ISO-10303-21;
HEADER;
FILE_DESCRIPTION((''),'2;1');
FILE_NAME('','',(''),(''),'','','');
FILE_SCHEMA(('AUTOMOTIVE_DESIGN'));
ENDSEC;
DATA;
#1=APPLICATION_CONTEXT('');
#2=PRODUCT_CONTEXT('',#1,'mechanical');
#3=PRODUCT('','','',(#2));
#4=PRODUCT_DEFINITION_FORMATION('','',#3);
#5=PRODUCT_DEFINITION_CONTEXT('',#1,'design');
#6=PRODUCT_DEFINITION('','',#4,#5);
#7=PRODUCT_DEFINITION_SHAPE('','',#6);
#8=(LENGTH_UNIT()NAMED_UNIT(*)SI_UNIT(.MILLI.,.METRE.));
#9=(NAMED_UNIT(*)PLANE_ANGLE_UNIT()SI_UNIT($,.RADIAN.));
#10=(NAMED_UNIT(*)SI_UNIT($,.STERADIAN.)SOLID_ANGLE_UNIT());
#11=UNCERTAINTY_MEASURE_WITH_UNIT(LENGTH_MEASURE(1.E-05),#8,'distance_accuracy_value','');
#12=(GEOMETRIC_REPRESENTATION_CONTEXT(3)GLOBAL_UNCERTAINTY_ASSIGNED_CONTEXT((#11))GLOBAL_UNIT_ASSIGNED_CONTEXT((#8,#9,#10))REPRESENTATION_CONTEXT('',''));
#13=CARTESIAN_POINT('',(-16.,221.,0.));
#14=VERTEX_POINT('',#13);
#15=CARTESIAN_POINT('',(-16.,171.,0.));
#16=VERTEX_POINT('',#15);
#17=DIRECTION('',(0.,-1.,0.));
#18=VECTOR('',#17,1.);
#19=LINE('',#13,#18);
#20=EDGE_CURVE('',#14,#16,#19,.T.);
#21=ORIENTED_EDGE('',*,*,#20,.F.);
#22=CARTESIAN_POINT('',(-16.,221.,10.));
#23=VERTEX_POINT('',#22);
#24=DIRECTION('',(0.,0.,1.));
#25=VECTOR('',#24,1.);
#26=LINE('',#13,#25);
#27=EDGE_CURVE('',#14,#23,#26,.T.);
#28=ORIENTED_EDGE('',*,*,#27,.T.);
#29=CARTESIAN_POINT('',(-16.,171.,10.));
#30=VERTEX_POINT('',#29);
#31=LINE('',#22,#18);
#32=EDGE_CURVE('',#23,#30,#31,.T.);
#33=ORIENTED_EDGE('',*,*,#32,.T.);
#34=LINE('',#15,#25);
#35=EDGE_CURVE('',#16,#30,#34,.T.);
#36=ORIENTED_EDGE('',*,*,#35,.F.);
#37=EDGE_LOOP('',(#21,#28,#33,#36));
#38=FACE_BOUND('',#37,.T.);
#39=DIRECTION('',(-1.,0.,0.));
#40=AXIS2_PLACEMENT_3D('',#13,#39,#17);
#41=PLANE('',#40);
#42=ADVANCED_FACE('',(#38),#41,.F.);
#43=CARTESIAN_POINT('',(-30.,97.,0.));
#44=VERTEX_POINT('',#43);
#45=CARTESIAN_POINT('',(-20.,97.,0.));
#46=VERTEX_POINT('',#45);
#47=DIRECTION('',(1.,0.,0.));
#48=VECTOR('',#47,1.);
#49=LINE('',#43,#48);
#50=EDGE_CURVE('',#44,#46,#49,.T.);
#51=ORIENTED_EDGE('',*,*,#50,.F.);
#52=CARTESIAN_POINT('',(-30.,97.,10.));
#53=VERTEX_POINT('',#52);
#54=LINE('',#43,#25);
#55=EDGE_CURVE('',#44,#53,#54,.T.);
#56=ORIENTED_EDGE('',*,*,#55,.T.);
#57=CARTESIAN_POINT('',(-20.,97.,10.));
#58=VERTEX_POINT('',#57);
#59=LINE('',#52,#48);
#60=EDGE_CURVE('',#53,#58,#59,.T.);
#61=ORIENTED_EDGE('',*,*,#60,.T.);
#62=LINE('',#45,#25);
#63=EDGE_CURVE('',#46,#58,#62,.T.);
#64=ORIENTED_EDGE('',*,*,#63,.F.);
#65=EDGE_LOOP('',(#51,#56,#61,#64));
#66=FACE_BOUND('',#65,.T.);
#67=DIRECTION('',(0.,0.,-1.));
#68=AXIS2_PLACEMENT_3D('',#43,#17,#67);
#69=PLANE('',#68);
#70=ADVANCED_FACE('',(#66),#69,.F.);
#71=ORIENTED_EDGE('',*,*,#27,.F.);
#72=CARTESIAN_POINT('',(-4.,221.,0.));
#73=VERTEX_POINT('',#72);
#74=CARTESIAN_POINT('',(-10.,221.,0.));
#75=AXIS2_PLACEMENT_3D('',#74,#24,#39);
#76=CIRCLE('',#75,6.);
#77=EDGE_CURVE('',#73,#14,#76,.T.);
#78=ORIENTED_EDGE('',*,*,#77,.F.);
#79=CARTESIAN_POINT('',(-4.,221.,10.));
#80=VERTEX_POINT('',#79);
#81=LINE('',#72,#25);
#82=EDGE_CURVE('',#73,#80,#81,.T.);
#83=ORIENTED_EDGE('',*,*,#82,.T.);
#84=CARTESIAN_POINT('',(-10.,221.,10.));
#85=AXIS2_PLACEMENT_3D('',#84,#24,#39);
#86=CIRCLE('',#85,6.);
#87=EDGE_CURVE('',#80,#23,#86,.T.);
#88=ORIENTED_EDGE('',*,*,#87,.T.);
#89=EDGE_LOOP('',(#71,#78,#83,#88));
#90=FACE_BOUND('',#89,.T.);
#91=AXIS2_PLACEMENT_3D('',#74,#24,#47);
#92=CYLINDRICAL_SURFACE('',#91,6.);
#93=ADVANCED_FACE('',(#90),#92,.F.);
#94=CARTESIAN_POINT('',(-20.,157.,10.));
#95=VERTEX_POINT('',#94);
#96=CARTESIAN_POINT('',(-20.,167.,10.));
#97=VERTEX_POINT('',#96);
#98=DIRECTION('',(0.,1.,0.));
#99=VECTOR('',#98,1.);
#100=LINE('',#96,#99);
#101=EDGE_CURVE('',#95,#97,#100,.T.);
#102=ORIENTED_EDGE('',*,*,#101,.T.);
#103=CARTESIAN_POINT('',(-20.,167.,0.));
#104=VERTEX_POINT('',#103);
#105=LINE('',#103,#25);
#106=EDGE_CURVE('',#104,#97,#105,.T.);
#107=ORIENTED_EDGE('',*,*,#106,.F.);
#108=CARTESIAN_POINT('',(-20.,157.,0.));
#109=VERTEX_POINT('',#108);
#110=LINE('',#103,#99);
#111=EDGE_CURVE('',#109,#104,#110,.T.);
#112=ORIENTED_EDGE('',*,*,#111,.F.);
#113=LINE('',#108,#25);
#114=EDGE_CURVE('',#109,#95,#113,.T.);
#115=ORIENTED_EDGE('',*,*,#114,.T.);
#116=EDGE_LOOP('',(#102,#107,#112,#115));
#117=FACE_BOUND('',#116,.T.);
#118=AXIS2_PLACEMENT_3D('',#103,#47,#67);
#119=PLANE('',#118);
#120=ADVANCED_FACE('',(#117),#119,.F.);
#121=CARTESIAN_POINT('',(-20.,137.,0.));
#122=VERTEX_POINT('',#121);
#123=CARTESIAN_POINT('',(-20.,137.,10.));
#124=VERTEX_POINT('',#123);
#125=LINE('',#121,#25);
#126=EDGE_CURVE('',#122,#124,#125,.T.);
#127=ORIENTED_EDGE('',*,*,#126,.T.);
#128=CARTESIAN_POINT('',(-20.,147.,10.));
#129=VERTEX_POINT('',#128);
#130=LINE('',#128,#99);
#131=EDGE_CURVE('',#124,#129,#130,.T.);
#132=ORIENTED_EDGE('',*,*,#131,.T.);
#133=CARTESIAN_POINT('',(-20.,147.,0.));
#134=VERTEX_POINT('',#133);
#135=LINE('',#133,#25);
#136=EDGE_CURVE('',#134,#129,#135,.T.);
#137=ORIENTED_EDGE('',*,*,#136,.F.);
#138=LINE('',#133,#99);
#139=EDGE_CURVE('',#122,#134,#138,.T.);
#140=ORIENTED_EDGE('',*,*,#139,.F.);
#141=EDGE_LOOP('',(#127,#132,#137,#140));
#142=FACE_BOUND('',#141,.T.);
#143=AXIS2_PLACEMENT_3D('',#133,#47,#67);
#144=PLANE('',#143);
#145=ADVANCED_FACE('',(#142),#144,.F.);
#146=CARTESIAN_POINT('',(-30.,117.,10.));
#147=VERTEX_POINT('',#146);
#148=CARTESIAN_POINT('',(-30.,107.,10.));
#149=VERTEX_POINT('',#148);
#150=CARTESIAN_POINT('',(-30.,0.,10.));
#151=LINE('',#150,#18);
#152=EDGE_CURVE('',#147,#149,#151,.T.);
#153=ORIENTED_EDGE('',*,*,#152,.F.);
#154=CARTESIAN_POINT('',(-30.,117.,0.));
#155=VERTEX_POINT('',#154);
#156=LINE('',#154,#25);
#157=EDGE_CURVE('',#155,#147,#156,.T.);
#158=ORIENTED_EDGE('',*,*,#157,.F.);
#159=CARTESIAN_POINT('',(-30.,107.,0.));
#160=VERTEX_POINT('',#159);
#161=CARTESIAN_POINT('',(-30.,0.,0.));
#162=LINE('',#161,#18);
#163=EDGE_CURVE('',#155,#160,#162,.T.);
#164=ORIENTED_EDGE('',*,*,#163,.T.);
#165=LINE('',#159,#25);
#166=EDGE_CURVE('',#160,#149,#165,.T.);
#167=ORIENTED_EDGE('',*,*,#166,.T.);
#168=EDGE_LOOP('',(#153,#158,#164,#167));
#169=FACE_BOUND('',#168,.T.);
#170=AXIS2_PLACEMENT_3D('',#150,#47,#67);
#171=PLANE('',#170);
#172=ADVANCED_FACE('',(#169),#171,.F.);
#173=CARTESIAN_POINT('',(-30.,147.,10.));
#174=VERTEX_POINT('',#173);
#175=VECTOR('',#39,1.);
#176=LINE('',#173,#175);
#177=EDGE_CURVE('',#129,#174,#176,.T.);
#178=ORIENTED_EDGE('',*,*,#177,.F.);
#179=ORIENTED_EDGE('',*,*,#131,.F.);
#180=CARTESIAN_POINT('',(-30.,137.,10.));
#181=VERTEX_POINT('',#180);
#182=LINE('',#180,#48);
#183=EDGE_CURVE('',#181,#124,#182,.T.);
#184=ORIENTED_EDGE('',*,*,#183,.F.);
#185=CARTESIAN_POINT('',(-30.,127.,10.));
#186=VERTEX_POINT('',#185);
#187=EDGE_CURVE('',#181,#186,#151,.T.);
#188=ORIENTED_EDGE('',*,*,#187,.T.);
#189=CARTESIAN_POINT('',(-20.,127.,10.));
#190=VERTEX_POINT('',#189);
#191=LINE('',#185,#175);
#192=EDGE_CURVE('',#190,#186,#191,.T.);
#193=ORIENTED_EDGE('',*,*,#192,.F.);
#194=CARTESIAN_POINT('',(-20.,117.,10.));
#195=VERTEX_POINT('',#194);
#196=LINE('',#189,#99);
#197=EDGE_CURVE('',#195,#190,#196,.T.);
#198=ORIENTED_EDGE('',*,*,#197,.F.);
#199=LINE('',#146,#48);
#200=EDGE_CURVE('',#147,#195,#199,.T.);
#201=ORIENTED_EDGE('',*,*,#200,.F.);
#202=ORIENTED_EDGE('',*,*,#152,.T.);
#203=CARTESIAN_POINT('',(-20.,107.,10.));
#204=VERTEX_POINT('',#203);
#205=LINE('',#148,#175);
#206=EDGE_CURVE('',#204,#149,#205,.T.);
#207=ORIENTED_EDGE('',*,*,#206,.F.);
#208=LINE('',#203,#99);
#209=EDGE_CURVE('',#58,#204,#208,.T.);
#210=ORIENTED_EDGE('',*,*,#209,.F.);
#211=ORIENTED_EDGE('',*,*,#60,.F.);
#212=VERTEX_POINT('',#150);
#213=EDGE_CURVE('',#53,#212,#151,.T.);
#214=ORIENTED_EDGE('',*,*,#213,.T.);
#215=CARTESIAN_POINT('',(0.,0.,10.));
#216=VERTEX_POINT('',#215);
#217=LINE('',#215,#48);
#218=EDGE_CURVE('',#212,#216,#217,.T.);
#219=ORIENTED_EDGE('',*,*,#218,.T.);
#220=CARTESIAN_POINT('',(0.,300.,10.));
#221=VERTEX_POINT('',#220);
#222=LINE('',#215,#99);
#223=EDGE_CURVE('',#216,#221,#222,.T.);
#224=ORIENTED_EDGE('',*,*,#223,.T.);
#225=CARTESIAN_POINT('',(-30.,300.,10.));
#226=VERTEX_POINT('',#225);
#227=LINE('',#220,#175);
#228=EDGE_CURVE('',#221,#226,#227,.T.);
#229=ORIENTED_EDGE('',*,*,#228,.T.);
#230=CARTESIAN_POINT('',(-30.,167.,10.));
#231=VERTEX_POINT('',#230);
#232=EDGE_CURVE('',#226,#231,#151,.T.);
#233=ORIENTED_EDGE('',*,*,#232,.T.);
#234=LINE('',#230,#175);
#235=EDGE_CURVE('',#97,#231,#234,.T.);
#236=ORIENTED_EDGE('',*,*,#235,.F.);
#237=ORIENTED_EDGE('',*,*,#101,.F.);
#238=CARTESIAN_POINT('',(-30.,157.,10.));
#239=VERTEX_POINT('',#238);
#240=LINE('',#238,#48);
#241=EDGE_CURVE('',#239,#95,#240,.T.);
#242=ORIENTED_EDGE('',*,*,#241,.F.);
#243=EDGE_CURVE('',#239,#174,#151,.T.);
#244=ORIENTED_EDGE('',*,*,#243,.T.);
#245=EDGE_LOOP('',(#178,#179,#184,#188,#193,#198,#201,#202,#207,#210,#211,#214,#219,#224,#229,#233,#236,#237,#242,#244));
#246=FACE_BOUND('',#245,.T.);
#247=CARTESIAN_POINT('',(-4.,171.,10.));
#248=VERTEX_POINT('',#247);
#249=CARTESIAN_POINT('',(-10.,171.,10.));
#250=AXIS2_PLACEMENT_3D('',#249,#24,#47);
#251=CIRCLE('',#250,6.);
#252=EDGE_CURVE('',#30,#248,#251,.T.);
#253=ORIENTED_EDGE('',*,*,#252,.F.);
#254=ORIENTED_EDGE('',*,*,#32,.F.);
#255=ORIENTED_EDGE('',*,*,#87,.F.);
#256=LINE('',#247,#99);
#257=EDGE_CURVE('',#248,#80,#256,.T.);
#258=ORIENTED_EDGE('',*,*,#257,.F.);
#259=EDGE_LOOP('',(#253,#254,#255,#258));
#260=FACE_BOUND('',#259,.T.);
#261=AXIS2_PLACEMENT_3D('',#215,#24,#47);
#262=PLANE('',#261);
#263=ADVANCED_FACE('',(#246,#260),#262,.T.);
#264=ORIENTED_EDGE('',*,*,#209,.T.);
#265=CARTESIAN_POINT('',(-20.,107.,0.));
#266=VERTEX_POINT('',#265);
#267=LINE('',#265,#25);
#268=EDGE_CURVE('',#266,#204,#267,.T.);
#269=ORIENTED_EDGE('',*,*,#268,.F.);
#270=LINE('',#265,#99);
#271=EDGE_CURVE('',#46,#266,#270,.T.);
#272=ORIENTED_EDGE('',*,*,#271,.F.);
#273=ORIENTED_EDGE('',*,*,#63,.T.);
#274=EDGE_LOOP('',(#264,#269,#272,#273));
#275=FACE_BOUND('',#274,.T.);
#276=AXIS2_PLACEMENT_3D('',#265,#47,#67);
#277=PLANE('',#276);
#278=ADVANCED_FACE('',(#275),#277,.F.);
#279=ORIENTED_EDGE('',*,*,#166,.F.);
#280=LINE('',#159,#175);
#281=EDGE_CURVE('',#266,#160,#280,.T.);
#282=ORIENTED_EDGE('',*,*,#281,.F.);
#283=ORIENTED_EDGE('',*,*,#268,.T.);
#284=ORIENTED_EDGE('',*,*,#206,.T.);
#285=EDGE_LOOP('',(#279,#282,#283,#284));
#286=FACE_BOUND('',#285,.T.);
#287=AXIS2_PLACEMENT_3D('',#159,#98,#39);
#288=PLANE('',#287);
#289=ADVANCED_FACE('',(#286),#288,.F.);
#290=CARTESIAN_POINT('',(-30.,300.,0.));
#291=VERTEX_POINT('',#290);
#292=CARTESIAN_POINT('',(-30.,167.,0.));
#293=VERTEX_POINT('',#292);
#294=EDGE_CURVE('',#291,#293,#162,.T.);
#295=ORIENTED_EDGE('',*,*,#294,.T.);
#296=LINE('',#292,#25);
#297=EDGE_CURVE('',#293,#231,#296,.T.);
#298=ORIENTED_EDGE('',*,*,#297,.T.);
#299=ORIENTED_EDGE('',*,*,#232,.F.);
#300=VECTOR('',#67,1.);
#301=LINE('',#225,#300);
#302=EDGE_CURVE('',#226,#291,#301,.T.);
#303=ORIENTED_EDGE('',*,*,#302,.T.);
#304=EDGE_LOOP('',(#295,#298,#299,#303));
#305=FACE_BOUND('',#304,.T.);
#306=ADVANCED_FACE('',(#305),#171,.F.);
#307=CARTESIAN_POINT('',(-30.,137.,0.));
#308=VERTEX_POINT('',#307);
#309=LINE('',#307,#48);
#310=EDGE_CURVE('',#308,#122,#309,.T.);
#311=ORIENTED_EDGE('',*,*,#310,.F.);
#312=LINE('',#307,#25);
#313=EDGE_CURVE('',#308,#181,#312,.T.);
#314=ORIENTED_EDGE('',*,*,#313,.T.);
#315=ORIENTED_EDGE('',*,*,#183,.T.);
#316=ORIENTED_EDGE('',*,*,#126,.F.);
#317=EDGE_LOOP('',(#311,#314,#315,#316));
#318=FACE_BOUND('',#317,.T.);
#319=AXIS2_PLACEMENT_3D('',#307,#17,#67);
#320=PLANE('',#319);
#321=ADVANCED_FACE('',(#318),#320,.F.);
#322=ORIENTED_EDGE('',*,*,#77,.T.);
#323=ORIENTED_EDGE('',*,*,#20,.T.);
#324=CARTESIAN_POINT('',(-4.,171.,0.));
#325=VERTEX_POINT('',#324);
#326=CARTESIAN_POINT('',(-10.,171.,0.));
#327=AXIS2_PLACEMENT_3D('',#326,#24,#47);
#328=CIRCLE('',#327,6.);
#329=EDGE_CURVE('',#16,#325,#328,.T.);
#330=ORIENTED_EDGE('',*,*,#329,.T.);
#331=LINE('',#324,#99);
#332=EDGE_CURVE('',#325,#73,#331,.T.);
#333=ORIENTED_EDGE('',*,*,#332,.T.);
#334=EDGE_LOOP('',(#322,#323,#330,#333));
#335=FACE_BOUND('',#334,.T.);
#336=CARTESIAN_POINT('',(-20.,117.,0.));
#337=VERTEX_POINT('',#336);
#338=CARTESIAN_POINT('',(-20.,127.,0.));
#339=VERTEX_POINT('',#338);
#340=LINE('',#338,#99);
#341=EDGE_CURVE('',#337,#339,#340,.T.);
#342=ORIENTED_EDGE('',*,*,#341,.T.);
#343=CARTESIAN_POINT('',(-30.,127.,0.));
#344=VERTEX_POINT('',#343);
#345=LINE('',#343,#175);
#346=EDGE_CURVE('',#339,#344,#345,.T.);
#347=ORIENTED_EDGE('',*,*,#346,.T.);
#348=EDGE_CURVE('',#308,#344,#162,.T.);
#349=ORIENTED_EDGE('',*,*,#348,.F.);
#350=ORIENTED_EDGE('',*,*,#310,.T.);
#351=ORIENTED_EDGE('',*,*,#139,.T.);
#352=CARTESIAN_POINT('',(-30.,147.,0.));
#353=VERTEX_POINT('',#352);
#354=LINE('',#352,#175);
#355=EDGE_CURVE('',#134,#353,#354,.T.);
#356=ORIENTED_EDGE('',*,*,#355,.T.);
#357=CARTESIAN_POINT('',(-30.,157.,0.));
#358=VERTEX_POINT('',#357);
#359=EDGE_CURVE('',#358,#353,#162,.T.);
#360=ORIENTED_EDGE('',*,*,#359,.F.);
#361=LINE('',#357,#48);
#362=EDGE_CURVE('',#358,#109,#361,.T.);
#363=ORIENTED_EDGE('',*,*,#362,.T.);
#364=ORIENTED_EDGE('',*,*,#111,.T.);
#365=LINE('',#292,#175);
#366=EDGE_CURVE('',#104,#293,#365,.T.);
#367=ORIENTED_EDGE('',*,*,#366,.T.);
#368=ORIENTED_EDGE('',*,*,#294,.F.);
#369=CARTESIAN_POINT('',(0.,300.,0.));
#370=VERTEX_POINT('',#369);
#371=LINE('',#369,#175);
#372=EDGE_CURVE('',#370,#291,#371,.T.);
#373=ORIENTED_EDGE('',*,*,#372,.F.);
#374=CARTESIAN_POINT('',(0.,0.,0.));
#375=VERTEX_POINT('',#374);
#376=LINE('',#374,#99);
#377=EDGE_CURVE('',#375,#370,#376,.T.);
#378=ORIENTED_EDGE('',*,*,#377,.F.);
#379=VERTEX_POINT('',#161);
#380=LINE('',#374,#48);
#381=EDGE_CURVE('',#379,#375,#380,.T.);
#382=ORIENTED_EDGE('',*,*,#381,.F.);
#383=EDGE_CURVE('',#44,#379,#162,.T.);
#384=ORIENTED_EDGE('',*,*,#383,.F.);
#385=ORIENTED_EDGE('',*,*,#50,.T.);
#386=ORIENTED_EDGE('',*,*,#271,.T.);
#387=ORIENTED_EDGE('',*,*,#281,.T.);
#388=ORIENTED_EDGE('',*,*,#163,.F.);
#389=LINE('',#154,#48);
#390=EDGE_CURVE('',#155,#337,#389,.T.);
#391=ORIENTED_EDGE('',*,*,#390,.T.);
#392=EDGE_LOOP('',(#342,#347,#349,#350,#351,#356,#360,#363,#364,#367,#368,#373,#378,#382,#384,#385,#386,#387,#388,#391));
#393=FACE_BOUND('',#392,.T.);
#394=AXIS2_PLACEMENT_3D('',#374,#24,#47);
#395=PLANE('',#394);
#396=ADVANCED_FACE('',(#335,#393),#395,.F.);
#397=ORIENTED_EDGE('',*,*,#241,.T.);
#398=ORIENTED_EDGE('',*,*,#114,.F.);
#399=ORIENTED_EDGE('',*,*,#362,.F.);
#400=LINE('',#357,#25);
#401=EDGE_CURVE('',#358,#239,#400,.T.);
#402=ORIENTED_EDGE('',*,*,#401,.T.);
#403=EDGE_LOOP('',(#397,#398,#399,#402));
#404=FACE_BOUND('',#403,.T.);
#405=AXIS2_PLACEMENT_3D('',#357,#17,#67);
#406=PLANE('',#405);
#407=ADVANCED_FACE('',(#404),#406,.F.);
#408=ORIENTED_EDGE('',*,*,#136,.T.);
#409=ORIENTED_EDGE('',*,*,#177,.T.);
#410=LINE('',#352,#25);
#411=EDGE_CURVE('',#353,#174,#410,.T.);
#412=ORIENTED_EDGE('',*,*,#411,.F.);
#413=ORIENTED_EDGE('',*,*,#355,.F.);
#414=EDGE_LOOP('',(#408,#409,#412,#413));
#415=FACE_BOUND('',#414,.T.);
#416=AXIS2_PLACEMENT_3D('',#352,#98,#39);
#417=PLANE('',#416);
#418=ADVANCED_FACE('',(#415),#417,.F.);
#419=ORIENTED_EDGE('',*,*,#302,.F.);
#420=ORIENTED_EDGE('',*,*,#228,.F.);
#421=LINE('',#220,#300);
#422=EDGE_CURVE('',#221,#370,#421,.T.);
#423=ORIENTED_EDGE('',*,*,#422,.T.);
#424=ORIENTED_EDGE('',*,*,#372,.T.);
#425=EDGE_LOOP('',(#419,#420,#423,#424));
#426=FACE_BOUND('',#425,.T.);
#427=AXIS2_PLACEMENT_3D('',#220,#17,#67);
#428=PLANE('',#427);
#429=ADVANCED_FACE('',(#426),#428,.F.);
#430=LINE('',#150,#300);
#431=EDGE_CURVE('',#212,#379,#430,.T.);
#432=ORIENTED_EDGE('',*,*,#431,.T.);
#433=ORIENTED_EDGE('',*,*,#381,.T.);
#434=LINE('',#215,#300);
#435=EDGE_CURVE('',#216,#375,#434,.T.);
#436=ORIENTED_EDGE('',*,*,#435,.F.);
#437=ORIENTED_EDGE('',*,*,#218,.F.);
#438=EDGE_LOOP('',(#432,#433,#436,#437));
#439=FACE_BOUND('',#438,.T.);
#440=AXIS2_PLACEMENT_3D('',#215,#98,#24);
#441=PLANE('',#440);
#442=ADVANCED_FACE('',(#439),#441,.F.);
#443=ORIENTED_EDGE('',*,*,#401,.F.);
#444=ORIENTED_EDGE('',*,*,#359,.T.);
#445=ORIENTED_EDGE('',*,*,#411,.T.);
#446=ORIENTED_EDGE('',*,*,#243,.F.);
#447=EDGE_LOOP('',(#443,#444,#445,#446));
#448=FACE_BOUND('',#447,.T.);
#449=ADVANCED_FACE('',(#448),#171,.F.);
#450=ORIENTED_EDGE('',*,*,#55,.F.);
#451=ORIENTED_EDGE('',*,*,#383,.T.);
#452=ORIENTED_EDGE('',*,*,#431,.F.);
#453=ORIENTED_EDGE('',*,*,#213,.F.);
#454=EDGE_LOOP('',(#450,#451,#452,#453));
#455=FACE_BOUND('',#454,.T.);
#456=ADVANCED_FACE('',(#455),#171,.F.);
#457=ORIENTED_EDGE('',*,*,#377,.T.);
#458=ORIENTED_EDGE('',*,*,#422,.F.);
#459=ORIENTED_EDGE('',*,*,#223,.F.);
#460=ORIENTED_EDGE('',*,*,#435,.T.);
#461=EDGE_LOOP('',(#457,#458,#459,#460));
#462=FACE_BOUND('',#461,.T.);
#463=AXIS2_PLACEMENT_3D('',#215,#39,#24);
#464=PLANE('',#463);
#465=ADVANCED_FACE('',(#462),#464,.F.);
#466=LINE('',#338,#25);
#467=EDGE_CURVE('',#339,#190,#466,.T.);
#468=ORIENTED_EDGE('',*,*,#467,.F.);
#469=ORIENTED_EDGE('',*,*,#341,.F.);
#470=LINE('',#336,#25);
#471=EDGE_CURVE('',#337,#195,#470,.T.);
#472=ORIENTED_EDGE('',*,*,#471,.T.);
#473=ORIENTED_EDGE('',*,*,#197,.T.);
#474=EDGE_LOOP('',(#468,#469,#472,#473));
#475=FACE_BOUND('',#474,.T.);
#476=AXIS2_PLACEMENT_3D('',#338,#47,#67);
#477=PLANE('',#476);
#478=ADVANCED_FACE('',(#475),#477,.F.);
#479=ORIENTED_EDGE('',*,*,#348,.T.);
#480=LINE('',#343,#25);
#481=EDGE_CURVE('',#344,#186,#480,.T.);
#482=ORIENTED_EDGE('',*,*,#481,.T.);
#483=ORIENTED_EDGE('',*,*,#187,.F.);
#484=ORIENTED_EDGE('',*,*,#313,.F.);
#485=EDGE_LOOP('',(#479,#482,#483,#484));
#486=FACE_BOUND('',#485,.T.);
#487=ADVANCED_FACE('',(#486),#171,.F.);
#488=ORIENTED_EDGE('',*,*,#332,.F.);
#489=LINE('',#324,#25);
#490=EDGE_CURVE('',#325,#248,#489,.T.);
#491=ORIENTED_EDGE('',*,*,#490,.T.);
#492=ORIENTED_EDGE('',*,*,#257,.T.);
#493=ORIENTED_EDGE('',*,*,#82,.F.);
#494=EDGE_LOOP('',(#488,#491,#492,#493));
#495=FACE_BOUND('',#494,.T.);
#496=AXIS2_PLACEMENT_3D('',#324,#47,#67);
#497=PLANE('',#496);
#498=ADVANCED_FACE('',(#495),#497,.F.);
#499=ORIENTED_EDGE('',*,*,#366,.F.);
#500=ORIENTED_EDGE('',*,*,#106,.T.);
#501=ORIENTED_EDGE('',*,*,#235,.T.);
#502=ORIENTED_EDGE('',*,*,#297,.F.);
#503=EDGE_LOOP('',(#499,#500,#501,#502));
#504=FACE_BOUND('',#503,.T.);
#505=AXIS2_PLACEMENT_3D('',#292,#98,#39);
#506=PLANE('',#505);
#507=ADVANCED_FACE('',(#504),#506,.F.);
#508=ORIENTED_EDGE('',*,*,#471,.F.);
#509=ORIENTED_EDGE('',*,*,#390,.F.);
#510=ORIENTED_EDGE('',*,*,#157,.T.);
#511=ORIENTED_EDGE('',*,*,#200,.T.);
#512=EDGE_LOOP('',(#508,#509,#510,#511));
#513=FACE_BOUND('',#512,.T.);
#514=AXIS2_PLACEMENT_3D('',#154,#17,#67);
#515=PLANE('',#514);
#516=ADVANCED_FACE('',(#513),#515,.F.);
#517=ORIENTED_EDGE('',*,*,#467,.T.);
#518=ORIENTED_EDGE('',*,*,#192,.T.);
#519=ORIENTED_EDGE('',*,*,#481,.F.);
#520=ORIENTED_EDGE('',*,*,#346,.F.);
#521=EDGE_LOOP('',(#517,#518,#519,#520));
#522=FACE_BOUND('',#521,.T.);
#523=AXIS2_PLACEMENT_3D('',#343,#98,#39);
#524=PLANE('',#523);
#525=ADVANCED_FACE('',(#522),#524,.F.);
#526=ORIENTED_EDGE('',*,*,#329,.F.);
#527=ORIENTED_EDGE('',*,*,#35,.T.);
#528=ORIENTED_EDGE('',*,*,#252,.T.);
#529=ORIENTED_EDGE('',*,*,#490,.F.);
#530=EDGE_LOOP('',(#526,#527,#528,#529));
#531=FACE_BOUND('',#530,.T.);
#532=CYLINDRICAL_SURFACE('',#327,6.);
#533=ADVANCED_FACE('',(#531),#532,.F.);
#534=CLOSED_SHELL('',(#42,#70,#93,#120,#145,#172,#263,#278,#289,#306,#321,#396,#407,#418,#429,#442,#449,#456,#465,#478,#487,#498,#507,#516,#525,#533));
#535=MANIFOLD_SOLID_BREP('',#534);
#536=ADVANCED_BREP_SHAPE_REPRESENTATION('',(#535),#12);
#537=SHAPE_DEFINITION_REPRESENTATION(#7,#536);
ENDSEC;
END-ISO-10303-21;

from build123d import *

# Parameters (mm, degrees)
ESQUISSE1_W                = 30
ESQUISSE1_H                = 300
BOSS_EXTRU_1_DEPTH         = 10
ESQUISSE2_W                = 10
ESQUISSE2_H                = 10
ENL_V_MAT_EXTRU_1_DEPTH    = 10
R_P_TITION_LIN_AIRE1_COUNT = 4
R_P_TITION_LIN_AIRE1_PITCH = 20
ENL_V_MAT_EXTRU_2_DEPTH    = 10


with BuildPart() as part:
    # Esquisse1 → Boss.-Extru.1 (new body)
    with BuildSketch(Plane.XY):
        with Locations((-15, 150)):
            Rectangle(ESQUISSE1_W, ESQUISSE1_H)
    extrude(amount=BOSS_EXTRU_1_DEPTH)

    # Esquisse2 → Enlèv. mat.-Extru.1 (cut)
    with BuildSketch(Plane.XY.offset(10)):
        with Locations((-25, 162)):
            Rectangle(ESQUISSE2_W, ESQUISSE2_H)
    enl_v_mat_extru_1 = extrude(amount=-ENL_V_MAT_EXTRU_1_DEPTH, mode=Mode.SUBTRACT)

    # Répétition linéaire1: Enlèv. mat.-Extru.1 ×4
    with Locations(*[(0, -i * R_P_TITION_LIN_AIRE1_PITCH, 0) for i in range(1, R_P_TITION_LIN_AIRE1_COUNT)]):
        add(enl_v_mat_extru_1, mode=Mode.SUBTRACT)

    # Esquisse3 → Enlèv. mat.-Extru.2 (cut)
    with BuildSketch(Plane.XY.offset(10)):
        with BuildLine():
            Line((-4, 171), (-4, 221))
            ThreePointArc((-4, 221), (-10, 227), (-16, 221))
            Line((-16, 221), (-16, 171))
            ThreePointArc((-16, 171), (-10, 165), (-4, 171))
        make_face()
    extrude(amount=-ENL_V_MAT_EXTRU_2_DEPTH, mode=Mode.SUBTRACT)


solid = part.part
